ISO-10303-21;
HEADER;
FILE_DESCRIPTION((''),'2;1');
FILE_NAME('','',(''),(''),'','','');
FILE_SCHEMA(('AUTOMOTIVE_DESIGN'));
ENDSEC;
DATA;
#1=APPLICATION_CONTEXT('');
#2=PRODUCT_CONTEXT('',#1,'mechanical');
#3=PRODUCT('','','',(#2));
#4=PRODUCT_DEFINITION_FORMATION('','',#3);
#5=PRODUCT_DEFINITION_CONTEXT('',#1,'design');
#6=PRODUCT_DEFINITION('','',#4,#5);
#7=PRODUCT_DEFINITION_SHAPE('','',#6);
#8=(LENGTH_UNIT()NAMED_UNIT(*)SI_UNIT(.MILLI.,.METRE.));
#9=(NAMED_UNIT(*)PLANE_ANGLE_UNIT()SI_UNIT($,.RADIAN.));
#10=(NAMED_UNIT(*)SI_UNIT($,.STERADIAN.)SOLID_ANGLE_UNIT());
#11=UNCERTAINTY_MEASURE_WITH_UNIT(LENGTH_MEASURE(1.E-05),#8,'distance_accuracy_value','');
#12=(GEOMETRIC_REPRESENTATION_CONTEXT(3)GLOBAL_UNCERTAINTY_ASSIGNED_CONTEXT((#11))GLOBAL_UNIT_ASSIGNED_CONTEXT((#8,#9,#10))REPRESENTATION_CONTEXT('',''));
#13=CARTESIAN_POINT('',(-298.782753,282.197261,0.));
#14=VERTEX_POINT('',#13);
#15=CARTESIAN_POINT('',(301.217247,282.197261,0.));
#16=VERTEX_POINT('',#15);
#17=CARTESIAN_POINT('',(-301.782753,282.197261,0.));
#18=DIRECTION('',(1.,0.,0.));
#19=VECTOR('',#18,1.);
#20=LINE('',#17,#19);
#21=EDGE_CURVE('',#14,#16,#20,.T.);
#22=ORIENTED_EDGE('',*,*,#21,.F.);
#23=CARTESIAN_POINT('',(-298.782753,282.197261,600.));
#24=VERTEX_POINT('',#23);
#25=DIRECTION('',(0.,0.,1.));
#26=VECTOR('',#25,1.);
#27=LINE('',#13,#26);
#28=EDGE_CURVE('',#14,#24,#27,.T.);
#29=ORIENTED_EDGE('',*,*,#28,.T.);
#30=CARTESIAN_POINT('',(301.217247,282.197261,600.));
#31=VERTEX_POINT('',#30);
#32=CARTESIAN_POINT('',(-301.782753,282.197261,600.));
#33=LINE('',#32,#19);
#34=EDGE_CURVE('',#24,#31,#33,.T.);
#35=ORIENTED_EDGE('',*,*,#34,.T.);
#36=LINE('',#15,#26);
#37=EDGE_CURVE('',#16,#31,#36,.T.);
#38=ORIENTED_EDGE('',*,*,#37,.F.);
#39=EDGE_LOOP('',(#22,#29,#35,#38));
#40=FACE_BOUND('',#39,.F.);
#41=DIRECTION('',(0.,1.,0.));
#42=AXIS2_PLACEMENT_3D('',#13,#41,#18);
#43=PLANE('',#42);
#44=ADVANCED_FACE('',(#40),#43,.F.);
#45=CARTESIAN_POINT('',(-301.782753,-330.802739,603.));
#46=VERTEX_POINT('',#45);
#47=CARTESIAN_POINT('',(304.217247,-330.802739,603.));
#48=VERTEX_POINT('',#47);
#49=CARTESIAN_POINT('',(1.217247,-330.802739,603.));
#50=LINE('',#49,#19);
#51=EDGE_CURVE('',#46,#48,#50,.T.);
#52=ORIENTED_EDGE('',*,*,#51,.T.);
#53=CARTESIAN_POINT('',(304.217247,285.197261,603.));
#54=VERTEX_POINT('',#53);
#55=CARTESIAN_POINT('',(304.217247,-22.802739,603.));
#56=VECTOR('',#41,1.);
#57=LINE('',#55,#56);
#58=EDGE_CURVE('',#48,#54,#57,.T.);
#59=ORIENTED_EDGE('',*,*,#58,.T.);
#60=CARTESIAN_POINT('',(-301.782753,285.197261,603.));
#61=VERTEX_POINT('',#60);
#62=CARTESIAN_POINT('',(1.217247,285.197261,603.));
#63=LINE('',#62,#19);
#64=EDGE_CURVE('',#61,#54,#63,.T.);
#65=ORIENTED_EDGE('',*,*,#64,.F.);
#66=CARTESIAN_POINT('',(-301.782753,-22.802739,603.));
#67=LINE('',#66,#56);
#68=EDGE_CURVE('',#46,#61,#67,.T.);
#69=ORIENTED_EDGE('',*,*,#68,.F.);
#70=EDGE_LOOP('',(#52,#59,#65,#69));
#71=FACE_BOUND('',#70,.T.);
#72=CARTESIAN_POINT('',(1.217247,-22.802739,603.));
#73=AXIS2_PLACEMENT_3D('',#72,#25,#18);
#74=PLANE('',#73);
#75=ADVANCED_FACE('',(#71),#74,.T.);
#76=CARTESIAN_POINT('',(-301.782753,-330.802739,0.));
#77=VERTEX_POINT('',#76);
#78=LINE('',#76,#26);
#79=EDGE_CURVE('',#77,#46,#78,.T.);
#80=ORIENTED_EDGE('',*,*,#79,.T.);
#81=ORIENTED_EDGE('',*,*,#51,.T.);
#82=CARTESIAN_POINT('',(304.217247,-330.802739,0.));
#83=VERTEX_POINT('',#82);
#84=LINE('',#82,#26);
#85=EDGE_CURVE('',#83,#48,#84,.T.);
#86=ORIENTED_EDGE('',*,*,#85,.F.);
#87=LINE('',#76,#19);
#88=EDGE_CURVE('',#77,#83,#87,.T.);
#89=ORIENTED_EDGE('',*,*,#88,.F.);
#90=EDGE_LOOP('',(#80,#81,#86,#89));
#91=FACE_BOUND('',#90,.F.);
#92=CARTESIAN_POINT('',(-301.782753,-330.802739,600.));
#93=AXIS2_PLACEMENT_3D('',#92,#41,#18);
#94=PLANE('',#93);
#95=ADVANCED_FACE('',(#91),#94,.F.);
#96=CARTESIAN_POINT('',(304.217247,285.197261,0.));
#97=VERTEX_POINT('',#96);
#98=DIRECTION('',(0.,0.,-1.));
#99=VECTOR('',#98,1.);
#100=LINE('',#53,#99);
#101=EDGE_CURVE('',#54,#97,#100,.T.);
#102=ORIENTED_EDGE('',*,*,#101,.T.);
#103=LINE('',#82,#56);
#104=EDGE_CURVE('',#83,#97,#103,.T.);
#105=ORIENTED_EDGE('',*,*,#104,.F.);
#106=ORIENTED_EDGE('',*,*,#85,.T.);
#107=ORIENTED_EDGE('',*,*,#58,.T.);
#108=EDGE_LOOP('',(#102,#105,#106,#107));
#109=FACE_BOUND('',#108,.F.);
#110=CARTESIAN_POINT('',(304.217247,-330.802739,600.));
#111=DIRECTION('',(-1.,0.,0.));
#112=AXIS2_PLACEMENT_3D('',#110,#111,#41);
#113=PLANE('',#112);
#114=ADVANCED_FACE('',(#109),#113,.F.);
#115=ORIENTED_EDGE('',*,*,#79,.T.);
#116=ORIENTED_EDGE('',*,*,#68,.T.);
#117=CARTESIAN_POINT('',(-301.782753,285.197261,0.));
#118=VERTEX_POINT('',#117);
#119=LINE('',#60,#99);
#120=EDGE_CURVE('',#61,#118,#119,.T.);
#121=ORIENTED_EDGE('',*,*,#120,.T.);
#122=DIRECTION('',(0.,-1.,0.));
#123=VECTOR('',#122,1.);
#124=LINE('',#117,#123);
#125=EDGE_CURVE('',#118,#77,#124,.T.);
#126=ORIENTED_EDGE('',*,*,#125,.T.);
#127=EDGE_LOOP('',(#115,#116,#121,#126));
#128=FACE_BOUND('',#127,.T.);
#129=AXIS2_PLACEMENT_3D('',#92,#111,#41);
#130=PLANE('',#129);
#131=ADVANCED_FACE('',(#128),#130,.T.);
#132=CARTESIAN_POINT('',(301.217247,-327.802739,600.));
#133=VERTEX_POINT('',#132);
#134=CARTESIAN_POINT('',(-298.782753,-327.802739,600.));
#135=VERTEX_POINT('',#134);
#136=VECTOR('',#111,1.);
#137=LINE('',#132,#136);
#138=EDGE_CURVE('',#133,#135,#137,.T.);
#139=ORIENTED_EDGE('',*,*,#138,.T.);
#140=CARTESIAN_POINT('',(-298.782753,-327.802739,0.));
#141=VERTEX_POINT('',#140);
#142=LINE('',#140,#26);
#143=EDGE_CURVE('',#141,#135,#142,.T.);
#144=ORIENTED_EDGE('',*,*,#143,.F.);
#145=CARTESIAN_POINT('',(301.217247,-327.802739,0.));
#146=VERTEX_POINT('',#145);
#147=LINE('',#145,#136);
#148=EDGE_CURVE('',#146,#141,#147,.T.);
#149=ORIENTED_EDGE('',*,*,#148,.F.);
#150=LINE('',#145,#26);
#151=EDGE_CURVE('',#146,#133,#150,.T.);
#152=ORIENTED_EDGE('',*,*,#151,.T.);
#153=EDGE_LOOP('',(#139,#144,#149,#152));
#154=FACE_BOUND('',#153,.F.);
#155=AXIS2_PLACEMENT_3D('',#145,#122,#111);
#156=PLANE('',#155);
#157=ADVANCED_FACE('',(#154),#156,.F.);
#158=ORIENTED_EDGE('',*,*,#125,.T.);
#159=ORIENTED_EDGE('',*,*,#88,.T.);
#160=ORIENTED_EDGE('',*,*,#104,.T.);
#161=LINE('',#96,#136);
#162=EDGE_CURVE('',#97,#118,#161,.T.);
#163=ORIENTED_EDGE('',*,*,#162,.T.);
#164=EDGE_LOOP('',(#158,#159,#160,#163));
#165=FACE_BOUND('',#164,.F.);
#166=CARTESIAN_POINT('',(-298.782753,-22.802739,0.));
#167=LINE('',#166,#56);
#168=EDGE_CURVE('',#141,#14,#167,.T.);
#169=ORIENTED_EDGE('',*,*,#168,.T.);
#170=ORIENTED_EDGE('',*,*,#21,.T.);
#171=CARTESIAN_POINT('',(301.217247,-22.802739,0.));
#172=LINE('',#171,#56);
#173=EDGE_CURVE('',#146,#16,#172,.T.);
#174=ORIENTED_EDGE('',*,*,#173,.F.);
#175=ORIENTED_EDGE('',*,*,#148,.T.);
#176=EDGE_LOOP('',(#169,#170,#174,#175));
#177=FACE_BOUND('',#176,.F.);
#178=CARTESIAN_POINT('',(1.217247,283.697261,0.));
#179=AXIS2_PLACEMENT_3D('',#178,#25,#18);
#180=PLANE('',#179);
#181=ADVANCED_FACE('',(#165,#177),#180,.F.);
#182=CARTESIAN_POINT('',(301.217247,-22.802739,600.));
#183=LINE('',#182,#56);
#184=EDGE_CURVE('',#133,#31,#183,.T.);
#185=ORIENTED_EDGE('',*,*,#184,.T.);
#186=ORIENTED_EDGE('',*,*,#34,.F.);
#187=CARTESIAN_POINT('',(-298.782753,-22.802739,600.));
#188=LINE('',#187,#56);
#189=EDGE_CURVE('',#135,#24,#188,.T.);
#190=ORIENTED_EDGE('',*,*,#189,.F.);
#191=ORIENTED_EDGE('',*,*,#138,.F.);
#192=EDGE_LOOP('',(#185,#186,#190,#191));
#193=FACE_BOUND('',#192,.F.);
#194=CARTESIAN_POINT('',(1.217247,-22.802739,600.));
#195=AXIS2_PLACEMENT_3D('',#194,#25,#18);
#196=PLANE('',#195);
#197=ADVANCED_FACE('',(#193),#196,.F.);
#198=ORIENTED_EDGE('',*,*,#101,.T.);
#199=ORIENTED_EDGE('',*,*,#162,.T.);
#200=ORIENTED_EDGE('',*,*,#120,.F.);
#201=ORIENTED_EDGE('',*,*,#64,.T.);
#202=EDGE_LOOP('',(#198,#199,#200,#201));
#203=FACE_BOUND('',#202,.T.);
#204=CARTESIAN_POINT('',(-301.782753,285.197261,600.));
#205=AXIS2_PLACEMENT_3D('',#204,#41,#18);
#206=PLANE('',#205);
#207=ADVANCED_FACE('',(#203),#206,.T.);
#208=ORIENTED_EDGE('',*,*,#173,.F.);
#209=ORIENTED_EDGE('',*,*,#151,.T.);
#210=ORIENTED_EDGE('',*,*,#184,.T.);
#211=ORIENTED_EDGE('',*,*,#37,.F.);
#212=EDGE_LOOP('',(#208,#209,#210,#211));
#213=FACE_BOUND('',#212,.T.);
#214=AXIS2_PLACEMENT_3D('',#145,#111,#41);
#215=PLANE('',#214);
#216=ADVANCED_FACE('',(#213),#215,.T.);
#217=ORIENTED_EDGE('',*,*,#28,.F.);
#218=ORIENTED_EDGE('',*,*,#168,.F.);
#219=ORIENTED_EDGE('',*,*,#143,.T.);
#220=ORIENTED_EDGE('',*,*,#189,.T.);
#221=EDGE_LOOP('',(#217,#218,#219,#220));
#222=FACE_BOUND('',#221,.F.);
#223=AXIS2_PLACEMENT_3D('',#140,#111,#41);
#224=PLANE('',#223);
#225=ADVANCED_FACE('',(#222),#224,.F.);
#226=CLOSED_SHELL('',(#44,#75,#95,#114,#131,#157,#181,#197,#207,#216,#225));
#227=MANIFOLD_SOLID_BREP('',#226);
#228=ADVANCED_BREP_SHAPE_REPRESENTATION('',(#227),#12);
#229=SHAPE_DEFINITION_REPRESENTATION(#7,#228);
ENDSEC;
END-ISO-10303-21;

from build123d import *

# Parameters (mm, degrees)
F0_W     = 3
F0_H     = 610
F1_DEPTH = 600
F2_W     = 606
F2_H     = 616
F3_DEPTH = 3


with BuildPart() as f1:
    # F0 (on Top) → F1 (new body)
    with BuildSketch(Plane.XY):
        Polygon((304.217247, 285.197261), (-301.782753, 285.197261), (-301.782753, 282.197261), (-298.782753, 282.197261), (301.217247, 282.197261), (304.217247, 282.197261), align=None)
        with Locations((-300.282753, -22.802739)):
            Rectangle(F0_W, F0_H)
        with Locations((302.717247, -22.802739)):
            Rectangle(F0_W, F0_H)
        Polygon((-298.782753, -327.802739), (-301.782753, -327.802739), (-301.782753, -330.802739), (304.217247, -330.802739), (304.217247, -327.802739), (301.217247, -327.802739), align=None)
    extrude(amount=F1_DEPTH)

    # F2 (on face) → F3 (join)
    with BuildSketch(Plane.XY.offset(600)):
        with Locations((1.217247, -22.802739)):
            Rectangle(F2_W, F2_H)
    extrude(amount=F3_DEPTH)


solid = f1.part
